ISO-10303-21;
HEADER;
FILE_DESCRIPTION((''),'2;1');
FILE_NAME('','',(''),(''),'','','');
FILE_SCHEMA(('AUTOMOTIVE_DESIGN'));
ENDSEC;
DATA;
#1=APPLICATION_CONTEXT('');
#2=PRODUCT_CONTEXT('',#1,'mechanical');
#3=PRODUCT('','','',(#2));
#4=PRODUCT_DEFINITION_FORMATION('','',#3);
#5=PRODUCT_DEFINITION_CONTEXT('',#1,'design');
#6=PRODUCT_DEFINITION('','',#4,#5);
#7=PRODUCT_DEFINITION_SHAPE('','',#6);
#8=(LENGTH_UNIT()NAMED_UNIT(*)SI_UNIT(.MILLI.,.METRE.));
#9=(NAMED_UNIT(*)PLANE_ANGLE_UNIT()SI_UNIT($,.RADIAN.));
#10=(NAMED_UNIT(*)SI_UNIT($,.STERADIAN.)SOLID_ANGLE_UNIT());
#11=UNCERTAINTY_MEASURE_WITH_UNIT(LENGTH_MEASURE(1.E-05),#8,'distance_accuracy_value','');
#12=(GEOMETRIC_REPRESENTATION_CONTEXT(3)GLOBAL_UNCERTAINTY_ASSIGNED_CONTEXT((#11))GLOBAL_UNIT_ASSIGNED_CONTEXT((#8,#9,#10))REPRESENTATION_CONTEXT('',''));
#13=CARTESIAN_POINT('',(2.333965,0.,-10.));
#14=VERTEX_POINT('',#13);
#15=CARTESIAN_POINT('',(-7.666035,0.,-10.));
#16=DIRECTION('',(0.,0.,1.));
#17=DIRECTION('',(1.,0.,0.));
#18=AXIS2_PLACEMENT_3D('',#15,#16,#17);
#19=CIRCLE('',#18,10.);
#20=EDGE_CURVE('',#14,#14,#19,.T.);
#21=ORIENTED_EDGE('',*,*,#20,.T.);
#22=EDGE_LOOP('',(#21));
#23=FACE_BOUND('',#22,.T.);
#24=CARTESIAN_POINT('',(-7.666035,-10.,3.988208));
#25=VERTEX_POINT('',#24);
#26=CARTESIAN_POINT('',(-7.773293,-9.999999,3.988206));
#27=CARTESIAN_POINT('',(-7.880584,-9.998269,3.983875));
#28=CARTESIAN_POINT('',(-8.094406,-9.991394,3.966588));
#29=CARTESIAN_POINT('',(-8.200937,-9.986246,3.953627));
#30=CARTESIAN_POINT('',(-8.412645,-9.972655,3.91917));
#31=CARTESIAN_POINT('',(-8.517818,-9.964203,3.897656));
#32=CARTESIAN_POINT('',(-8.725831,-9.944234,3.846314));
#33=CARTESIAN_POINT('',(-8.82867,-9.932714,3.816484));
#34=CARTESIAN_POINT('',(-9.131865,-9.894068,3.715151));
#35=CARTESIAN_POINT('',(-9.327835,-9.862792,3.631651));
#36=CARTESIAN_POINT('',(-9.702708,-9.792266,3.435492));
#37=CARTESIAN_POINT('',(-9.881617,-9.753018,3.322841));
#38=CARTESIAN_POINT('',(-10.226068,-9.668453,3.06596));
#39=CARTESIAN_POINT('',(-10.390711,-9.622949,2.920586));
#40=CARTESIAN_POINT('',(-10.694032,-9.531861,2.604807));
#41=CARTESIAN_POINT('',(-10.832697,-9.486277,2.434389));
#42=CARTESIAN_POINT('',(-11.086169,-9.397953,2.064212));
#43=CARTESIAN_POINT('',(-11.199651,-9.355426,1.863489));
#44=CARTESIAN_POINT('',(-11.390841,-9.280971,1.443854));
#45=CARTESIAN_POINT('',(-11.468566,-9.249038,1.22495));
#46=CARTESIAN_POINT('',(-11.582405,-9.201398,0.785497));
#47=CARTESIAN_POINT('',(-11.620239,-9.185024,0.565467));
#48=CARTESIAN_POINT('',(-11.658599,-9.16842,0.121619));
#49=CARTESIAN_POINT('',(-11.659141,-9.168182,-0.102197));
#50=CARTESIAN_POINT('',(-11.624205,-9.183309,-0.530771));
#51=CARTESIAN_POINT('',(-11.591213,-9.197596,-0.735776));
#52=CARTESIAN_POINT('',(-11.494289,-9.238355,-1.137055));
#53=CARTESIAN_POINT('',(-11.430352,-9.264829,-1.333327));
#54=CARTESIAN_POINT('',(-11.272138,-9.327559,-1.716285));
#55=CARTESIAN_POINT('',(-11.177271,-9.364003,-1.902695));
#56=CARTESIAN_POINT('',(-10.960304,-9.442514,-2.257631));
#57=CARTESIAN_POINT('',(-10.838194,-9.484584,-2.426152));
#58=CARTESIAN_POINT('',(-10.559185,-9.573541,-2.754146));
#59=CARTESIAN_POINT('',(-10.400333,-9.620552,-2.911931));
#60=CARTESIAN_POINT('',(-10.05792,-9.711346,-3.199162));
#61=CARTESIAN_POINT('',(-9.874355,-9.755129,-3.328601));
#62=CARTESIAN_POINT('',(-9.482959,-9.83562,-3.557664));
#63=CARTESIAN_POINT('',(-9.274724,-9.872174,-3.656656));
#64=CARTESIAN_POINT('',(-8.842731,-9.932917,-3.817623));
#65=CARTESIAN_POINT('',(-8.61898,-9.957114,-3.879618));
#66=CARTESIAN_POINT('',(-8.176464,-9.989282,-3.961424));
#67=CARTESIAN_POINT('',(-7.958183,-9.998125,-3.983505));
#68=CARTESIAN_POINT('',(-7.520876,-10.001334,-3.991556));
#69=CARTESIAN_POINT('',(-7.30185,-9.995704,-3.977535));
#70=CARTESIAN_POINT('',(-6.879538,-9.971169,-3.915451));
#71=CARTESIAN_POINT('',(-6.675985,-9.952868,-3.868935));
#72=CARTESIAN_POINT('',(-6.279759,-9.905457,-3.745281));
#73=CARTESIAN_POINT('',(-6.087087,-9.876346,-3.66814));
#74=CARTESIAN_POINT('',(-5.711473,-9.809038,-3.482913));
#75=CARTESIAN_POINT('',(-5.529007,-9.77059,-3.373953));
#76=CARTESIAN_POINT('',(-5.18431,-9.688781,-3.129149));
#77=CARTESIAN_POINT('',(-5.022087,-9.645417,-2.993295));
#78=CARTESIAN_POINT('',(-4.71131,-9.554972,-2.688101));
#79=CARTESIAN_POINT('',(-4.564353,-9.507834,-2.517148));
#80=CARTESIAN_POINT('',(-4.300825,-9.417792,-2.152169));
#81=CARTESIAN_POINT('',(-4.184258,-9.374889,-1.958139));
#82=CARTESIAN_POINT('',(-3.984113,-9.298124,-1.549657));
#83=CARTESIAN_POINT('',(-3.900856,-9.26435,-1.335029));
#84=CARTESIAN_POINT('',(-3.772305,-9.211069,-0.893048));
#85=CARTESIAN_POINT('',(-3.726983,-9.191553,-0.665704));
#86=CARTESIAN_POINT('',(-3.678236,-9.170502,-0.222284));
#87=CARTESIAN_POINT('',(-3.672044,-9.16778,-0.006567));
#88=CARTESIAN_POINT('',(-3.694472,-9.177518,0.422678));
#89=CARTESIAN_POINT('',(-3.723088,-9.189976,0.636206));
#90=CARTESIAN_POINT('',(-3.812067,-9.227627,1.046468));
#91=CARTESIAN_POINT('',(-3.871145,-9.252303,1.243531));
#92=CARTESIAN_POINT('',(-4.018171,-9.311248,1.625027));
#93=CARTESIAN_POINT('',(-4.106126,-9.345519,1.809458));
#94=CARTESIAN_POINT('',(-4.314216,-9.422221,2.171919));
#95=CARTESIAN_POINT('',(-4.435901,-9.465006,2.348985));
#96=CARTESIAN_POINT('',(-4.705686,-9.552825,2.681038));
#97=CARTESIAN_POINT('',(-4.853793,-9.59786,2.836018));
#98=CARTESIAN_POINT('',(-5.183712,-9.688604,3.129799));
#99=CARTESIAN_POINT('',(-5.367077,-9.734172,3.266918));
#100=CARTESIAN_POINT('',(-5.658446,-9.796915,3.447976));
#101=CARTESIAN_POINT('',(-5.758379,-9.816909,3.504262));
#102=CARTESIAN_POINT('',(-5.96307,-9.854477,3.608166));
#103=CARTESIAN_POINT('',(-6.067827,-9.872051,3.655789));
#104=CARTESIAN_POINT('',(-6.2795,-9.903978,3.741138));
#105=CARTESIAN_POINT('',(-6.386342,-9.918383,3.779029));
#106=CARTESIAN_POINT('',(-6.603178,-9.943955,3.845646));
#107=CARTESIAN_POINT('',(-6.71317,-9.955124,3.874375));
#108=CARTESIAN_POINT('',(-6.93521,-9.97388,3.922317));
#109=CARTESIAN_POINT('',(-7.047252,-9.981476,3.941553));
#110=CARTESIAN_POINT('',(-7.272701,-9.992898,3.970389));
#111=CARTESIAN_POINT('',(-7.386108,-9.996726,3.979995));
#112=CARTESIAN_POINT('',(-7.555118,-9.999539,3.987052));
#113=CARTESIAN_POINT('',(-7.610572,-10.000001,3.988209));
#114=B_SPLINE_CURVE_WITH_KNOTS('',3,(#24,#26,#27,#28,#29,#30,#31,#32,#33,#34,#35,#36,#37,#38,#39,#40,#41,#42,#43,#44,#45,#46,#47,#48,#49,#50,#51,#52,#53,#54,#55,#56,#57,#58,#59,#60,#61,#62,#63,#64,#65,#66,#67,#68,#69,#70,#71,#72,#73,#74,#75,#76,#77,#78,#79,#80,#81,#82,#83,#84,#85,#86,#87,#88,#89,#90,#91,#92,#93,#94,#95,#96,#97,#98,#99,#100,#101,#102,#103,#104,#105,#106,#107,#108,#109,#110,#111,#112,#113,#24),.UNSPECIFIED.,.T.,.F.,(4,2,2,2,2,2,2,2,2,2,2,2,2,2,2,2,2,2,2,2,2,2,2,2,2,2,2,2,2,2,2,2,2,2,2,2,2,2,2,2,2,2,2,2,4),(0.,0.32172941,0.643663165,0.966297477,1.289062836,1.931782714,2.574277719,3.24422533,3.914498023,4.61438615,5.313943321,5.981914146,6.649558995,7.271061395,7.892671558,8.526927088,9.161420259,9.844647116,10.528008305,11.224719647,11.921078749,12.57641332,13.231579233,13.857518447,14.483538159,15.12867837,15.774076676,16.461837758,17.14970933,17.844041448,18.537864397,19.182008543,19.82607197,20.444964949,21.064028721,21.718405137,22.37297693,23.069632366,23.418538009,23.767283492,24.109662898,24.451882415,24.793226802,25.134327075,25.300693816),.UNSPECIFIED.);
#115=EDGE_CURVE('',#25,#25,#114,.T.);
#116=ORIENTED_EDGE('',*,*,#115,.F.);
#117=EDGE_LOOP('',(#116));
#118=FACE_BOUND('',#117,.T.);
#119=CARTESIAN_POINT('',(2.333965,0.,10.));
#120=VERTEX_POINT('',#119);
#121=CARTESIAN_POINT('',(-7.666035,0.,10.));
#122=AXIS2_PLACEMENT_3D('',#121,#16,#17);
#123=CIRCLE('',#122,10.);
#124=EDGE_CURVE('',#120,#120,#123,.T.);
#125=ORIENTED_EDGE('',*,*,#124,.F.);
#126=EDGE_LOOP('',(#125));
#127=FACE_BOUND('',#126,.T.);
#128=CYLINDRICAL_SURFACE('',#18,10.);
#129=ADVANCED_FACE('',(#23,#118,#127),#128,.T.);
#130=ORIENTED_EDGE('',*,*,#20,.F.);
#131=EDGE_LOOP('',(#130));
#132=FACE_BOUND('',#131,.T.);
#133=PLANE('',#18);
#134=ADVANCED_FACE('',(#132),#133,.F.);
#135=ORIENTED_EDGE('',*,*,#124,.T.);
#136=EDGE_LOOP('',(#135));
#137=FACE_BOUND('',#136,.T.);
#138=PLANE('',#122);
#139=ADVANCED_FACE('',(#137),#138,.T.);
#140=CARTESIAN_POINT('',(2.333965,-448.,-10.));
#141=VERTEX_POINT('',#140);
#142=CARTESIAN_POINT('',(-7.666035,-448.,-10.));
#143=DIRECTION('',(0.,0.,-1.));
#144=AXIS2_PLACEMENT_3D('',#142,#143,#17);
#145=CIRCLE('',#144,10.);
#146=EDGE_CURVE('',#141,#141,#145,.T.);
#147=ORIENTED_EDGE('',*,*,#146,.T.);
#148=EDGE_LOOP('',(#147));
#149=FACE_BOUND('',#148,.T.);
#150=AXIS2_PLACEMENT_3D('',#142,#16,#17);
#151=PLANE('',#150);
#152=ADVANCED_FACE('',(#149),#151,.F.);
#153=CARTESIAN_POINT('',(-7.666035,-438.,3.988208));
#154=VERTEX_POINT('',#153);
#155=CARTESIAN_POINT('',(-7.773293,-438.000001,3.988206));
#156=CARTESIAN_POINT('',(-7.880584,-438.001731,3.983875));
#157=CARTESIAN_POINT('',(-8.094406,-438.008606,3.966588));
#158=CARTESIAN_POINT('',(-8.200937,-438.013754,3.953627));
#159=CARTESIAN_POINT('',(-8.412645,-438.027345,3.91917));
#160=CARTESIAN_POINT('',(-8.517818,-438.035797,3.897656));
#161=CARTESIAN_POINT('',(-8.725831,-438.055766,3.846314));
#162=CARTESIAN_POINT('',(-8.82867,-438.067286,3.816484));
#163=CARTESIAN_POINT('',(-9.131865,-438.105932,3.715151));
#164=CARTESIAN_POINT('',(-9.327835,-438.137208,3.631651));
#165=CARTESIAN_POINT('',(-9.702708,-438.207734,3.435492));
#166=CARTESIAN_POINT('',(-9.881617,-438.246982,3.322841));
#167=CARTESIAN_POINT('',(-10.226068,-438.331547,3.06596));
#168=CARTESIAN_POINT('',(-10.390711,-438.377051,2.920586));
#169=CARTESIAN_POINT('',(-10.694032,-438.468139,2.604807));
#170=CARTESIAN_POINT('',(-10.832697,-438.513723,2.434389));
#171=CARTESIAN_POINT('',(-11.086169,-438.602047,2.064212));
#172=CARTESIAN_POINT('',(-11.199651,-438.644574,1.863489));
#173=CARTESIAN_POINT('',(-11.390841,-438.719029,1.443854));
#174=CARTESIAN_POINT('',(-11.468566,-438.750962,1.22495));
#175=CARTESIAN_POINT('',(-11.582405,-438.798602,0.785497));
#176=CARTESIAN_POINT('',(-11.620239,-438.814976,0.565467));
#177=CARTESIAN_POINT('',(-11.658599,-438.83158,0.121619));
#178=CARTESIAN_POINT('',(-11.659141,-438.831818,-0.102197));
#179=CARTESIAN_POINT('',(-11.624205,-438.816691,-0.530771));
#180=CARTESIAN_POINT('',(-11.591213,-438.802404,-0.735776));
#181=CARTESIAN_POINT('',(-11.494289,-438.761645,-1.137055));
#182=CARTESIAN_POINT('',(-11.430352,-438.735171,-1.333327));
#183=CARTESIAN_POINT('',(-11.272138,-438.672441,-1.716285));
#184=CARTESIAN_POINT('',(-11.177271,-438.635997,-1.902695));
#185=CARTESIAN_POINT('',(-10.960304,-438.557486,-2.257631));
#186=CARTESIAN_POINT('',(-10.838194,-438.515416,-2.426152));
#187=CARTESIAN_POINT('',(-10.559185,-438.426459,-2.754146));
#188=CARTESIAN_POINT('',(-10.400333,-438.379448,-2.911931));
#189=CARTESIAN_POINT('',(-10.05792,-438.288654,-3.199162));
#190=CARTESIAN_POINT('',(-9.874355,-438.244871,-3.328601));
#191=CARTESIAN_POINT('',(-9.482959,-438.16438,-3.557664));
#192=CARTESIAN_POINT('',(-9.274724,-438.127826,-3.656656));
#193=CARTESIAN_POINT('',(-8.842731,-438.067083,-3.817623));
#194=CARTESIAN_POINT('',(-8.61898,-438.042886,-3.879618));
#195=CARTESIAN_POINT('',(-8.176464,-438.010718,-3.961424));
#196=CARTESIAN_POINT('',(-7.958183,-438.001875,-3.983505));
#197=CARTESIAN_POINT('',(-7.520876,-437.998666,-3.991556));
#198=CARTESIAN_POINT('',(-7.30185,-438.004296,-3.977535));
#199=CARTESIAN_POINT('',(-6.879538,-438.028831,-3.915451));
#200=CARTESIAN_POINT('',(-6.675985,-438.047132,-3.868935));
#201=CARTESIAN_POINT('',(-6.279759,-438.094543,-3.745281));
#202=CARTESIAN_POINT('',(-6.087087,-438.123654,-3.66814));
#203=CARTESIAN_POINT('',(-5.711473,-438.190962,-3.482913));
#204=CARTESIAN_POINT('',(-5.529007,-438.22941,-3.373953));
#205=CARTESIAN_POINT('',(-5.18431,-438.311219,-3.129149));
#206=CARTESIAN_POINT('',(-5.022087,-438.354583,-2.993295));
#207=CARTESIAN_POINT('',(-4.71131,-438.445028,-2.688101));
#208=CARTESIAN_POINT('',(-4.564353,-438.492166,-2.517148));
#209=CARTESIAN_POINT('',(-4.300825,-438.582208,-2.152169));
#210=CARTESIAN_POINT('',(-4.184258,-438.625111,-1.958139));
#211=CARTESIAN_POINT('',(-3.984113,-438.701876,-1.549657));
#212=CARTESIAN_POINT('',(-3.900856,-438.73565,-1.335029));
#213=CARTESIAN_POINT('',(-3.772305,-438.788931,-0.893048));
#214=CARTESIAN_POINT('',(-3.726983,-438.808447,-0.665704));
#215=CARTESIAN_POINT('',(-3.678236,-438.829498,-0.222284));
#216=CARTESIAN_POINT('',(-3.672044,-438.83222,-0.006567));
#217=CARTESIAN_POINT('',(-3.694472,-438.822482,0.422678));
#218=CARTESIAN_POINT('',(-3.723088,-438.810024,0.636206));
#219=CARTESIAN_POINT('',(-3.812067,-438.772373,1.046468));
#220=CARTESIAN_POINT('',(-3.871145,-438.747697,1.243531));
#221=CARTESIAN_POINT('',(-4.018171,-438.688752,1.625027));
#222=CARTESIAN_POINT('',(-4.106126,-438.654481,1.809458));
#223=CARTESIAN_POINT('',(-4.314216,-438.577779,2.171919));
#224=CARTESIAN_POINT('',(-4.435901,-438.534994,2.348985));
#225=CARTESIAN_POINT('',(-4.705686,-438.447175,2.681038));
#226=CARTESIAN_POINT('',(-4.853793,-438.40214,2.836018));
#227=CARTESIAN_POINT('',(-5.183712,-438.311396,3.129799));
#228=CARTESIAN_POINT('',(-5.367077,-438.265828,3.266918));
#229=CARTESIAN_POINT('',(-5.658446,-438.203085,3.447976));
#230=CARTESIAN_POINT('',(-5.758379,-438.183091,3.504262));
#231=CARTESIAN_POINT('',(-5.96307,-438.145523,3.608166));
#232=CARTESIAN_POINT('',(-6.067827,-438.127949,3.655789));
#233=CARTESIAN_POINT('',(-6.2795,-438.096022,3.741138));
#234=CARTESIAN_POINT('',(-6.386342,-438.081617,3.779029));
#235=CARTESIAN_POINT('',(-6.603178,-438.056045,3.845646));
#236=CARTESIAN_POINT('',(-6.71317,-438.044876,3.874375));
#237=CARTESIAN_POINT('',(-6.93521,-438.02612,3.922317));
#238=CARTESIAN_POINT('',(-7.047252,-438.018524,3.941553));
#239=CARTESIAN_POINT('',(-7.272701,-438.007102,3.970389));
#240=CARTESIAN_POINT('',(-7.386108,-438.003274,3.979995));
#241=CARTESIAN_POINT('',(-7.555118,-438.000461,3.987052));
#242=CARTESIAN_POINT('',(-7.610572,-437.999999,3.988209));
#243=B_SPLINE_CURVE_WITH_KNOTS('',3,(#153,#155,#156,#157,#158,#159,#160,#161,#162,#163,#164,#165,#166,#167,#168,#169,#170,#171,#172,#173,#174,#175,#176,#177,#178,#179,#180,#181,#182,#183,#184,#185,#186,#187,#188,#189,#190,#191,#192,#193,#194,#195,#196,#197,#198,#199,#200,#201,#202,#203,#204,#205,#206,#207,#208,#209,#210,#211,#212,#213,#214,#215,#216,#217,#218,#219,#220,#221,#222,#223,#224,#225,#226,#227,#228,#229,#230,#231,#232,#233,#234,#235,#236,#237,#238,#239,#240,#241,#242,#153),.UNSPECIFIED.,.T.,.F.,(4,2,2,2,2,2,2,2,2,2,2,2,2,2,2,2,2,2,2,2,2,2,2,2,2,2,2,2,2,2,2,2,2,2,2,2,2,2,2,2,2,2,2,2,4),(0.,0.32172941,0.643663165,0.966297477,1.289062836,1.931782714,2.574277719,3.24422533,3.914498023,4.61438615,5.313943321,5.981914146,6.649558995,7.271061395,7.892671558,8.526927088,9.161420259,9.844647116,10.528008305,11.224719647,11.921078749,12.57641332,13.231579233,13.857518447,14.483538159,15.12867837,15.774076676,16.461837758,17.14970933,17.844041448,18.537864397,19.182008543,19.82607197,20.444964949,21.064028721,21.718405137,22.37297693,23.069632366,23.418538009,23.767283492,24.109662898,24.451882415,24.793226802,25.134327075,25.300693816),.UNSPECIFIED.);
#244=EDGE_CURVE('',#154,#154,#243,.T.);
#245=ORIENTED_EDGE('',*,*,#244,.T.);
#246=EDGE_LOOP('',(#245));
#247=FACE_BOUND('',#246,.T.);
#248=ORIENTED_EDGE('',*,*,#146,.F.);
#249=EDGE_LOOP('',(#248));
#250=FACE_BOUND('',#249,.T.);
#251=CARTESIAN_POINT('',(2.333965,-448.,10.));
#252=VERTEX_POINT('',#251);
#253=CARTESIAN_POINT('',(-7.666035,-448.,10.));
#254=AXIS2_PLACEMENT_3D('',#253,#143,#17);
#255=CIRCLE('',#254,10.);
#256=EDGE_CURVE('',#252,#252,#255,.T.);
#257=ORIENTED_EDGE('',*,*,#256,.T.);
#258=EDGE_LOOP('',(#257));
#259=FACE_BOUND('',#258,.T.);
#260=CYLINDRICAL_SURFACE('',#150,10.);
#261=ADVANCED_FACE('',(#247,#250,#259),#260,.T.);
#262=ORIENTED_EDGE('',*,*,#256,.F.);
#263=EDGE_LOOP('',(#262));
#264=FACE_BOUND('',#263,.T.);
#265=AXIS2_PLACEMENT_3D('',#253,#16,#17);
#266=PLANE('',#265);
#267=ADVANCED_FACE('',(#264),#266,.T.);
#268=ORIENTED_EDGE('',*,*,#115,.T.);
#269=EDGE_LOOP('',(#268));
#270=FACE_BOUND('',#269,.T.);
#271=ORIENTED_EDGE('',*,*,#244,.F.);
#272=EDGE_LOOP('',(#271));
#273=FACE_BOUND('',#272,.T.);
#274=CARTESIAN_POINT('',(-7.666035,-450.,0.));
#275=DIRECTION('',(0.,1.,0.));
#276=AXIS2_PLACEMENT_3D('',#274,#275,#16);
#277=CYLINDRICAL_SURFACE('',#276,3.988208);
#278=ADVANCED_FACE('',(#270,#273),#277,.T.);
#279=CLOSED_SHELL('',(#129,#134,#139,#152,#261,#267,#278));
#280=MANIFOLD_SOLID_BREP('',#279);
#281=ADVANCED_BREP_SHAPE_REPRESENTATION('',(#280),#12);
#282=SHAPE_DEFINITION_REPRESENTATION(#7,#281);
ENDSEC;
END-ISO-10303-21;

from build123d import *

# Parameters (mm, degrees)
SKETCH1_R                = 5
BOSS_EXTRUDE1_DEPTH      = 80
BOSS_EXTRUDE2_DEPTH      = 10
BOSS_EXTRUDE2_DEPTH_BACK = 10
SKETCH2_R                = 10
SKETCH3_R                = 3.98820793
BOSS_EXTRUDE3_DEPTH      = 450


with BuildPart() as part:
    # Sketch1 → Boss-Extrude1 (new body)
    with BuildSketch(Plane(origin=(0, 0, 0), x_dir=(0, 0, -1), z_dir=(1, 0, 0))):
        Circle(SKETCH1_R)
    extrude(amount=BOSS_EXTRUDE1_DEPTH)


with BuildPart() as body_2:
    # Sketch2 → Boss-Extrude2 (new, two sides: drawn at the far end of the back side and taken through both)
    with BuildSketch(Plane.XY.offset(-BOSS_EXTRUDE2_DEPTH_BACK)):
        with Locations((-7.666034923, 0)):
            Circle(SKETCH2_R)
    extrude(amount=BOSS_EXTRUDE2_DEPTH + BOSS_EXTRUDE2_DEPTH_BACK)


with BuildPart() as body_3:
    # Mirror1: mirrored copy
    add(part.part.mirror(Plane.ZX.offset(-224)))


with BuildPart() as body_4:
    # Mirror1 2: mirrored copy
    add(body_2.part.mirror(Plane.ZX.offset(-224)))


with BuildPart() as body_2_1:
    add(body_2.part)

    add(body_4.part)  # Boss-Extrude3 merges body 4
    # Sketch3 → Boss-Extrude3 (add)
    with BuildSketch(Plane(origin=(0, 0, 0), x_dir=(1, 0, 0), z_dir=(0, 1, 0))):
        with Locations((-7.666034923, 0)):
            Circle(SKETCH3_R)
    extrude(amount=-BOSS_EXTRUDE3_DEPTH)


solid = body_2_1.part
